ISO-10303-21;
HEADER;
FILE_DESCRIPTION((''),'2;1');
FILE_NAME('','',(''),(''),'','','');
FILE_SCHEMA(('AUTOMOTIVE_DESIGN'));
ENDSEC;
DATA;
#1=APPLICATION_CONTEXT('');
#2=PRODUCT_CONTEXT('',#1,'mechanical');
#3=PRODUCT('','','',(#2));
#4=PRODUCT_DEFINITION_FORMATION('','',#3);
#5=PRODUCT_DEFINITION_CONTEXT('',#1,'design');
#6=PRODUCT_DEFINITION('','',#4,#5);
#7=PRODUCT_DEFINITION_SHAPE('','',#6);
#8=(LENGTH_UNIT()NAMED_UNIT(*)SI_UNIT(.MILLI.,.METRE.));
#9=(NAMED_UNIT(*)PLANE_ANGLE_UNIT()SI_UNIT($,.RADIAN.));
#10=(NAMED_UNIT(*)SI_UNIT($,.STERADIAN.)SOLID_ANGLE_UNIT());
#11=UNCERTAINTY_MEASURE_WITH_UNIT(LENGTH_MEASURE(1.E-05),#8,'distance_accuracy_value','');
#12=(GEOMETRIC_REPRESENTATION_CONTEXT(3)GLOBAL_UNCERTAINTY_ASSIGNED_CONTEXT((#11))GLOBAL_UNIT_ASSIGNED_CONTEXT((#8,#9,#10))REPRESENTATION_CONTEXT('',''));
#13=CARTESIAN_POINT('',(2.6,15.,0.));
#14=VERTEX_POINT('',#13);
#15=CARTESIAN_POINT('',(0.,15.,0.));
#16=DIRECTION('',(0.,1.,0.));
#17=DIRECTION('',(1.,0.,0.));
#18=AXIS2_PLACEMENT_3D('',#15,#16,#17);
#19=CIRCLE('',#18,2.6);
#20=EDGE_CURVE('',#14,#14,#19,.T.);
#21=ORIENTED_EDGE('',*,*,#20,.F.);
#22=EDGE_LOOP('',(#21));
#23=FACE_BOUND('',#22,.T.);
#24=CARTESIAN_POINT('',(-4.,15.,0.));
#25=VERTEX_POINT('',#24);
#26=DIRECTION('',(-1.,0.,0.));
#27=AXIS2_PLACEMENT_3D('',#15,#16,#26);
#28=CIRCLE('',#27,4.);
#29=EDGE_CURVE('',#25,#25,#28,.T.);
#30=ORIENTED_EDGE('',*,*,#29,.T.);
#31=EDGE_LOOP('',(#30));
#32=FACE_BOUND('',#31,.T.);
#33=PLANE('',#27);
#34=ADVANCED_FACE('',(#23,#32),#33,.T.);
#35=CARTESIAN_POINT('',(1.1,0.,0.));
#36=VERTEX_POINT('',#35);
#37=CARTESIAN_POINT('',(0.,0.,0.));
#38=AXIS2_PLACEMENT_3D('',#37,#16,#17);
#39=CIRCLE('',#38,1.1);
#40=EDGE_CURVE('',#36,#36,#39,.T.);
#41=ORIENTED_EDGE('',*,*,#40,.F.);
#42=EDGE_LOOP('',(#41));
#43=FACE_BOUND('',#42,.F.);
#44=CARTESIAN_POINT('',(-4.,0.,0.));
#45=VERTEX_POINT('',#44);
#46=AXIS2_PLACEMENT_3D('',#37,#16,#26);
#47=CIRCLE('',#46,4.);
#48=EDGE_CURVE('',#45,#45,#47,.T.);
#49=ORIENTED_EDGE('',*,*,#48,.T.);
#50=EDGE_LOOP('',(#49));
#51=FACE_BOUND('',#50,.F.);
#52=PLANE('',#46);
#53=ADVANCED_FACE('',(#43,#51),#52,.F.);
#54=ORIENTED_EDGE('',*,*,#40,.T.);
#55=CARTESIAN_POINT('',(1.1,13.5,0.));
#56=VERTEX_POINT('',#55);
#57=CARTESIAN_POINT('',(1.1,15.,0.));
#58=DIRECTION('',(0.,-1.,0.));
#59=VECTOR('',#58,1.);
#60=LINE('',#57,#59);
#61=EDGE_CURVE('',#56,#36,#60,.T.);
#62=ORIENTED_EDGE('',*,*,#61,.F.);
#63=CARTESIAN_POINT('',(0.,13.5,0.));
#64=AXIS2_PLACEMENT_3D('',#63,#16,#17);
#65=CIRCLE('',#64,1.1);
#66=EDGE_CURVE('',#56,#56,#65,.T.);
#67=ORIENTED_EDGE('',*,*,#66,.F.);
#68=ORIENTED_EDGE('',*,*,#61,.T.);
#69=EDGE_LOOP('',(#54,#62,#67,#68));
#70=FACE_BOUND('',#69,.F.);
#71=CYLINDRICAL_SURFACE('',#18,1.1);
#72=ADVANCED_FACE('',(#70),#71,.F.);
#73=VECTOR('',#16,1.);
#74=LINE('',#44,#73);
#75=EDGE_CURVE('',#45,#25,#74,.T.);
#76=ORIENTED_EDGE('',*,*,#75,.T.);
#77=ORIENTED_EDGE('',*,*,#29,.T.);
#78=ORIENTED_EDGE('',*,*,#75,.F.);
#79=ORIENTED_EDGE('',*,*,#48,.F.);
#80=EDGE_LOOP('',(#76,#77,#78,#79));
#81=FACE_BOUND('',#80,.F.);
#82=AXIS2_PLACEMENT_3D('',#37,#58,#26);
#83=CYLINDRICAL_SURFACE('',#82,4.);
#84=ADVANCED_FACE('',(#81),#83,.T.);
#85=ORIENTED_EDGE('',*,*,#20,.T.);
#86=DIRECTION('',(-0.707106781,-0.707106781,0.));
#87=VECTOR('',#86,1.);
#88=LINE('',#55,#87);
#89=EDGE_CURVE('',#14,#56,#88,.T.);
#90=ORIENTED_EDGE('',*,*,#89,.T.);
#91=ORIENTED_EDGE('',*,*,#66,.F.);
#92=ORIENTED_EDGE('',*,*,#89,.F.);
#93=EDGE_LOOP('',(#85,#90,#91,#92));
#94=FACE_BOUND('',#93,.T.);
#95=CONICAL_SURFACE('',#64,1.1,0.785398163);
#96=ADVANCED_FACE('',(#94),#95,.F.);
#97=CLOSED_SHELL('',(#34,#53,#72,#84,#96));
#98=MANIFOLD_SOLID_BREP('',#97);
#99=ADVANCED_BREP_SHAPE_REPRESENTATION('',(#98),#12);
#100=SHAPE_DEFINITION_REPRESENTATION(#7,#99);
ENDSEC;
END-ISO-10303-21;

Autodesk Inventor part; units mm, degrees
ref_plane "YZ Plane" through (0, 0, 0) normal (1, 0, 0) x (0, 1, 0)
ref_plane "XZ Plane" through (0, 0, 0) normal (0, 1, 0) x (-1, 0, 0)
ref_plane "XY Plane" through (0, 0, 0) normal (0, 0, 1) x (1, 0, 0)
sketch "Sketch1" plane through (0, 0, 0) normal (0, 1, 0) x (-1, 0, 0)
  circle A0 centre (0, 0) radius 4
  dimension "d0" = 8
extrude "Extrusion1" add sketch "Sketch1" along normal blind 15
sketch "Sketch2" plane through (0, 15, 0) normal (0, 1, 0) x (1, 0, 0)
  circle A0 centre (0, 0) radius 1.1
  dimension "d3" = 2.2
extrude "Extrusion2" cut sketch "Sketch2" against normal through all
chamfer "Chamfer1" distance 1.5 angle 45 1 edges at (-1.1, 15, 0)
properties part number "axe_bottom"
